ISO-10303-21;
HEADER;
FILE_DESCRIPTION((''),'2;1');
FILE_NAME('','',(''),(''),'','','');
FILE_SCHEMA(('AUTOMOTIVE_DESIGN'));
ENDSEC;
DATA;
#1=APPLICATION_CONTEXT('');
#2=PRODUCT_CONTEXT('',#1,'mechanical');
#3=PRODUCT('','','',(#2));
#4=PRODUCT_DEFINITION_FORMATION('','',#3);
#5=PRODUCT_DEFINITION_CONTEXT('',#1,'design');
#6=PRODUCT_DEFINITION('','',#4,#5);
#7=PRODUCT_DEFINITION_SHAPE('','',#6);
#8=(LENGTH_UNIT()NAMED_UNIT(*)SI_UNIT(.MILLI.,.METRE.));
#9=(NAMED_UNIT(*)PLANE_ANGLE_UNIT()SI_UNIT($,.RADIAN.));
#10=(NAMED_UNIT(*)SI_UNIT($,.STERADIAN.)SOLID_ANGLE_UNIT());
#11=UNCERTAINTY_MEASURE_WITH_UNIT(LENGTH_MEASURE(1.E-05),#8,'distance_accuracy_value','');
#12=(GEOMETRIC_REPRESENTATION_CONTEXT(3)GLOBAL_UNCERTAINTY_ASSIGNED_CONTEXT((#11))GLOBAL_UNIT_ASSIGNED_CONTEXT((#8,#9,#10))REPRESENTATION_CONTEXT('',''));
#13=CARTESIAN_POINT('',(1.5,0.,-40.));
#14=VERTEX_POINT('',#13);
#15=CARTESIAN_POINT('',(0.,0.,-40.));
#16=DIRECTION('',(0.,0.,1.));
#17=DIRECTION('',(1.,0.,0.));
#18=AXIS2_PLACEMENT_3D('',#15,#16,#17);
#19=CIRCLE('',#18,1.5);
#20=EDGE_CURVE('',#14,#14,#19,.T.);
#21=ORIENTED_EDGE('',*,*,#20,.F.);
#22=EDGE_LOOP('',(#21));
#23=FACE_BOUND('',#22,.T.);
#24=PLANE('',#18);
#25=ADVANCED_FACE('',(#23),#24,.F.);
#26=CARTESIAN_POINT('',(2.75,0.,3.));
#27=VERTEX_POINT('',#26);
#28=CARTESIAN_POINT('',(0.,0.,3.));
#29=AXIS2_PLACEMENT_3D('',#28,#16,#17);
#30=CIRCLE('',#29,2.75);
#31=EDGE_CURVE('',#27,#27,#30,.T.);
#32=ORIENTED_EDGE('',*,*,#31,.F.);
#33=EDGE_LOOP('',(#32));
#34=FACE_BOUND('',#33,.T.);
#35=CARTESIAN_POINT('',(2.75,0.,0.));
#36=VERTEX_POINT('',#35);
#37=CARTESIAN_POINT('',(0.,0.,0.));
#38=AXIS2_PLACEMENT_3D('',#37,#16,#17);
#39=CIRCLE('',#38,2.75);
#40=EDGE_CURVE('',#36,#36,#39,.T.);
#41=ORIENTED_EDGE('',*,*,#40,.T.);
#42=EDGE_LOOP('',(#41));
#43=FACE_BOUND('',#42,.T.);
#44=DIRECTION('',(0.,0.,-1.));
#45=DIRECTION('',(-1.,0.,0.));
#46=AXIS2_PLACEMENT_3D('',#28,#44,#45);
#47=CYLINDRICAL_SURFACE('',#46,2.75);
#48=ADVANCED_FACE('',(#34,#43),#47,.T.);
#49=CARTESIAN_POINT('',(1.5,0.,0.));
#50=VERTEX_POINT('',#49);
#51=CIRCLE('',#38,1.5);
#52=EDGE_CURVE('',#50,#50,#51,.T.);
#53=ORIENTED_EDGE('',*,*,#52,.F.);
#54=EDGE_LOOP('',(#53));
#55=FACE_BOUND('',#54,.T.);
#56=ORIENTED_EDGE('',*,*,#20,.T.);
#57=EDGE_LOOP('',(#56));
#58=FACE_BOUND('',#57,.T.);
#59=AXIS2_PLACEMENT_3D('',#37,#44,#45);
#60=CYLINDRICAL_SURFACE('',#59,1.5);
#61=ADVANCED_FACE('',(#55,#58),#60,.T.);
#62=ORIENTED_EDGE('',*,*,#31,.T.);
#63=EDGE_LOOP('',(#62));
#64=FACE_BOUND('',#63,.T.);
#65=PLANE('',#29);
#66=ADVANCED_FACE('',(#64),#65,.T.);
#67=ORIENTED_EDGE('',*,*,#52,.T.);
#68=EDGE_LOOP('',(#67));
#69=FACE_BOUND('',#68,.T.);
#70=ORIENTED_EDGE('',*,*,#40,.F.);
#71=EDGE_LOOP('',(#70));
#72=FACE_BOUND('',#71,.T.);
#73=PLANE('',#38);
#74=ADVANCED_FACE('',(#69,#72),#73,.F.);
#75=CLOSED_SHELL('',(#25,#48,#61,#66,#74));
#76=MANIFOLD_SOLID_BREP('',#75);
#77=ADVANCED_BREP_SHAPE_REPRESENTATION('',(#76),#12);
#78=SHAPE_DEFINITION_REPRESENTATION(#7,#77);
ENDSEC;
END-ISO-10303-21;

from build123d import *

# Parameters (mm, degrees)
SHANK_NOMINAL_THREAD_ENVELOPE_START     = -40
SHANK_NOMINAL_THREAD_ENVELOPE_PROFILE_R = 1.5
SHANK_NOMINAL_THREAD_ENVELOPE_DEPTH     = 40
SOCKET_HEAD_ENVELOPE_PROFILE_R          = 2.75
SOCKET_HEAD_ENVELOPE_DEPTH              = 3


with BuildPart() as part:
    # Shank_nominal_thread_envelope_profile → Shank_nominal_thread_envelope (new body)
    with BuildSketch(Plane.XY.offset(SHANK_NOMINAL_THREAD_ENVELOPE_START)):
        Circle(SHANK_NOMINAL_THREAD_ENVELOPE_PROFILE_R)
    extrude(amount=SHANK_NOMINAL_THREAD_ENVELOPE_DEPTH)

    # Socket_head_envelope_profile → Socket_head_envelope (add)
    with BuildSketch(Plane.XY):
        Circle(SOCKET_HEAD_ENVELOPE_PROFILE_R)
    extrude(amount=SOCKET_HEAD_ENVELOPE_DEPTH)


solid = part.part
